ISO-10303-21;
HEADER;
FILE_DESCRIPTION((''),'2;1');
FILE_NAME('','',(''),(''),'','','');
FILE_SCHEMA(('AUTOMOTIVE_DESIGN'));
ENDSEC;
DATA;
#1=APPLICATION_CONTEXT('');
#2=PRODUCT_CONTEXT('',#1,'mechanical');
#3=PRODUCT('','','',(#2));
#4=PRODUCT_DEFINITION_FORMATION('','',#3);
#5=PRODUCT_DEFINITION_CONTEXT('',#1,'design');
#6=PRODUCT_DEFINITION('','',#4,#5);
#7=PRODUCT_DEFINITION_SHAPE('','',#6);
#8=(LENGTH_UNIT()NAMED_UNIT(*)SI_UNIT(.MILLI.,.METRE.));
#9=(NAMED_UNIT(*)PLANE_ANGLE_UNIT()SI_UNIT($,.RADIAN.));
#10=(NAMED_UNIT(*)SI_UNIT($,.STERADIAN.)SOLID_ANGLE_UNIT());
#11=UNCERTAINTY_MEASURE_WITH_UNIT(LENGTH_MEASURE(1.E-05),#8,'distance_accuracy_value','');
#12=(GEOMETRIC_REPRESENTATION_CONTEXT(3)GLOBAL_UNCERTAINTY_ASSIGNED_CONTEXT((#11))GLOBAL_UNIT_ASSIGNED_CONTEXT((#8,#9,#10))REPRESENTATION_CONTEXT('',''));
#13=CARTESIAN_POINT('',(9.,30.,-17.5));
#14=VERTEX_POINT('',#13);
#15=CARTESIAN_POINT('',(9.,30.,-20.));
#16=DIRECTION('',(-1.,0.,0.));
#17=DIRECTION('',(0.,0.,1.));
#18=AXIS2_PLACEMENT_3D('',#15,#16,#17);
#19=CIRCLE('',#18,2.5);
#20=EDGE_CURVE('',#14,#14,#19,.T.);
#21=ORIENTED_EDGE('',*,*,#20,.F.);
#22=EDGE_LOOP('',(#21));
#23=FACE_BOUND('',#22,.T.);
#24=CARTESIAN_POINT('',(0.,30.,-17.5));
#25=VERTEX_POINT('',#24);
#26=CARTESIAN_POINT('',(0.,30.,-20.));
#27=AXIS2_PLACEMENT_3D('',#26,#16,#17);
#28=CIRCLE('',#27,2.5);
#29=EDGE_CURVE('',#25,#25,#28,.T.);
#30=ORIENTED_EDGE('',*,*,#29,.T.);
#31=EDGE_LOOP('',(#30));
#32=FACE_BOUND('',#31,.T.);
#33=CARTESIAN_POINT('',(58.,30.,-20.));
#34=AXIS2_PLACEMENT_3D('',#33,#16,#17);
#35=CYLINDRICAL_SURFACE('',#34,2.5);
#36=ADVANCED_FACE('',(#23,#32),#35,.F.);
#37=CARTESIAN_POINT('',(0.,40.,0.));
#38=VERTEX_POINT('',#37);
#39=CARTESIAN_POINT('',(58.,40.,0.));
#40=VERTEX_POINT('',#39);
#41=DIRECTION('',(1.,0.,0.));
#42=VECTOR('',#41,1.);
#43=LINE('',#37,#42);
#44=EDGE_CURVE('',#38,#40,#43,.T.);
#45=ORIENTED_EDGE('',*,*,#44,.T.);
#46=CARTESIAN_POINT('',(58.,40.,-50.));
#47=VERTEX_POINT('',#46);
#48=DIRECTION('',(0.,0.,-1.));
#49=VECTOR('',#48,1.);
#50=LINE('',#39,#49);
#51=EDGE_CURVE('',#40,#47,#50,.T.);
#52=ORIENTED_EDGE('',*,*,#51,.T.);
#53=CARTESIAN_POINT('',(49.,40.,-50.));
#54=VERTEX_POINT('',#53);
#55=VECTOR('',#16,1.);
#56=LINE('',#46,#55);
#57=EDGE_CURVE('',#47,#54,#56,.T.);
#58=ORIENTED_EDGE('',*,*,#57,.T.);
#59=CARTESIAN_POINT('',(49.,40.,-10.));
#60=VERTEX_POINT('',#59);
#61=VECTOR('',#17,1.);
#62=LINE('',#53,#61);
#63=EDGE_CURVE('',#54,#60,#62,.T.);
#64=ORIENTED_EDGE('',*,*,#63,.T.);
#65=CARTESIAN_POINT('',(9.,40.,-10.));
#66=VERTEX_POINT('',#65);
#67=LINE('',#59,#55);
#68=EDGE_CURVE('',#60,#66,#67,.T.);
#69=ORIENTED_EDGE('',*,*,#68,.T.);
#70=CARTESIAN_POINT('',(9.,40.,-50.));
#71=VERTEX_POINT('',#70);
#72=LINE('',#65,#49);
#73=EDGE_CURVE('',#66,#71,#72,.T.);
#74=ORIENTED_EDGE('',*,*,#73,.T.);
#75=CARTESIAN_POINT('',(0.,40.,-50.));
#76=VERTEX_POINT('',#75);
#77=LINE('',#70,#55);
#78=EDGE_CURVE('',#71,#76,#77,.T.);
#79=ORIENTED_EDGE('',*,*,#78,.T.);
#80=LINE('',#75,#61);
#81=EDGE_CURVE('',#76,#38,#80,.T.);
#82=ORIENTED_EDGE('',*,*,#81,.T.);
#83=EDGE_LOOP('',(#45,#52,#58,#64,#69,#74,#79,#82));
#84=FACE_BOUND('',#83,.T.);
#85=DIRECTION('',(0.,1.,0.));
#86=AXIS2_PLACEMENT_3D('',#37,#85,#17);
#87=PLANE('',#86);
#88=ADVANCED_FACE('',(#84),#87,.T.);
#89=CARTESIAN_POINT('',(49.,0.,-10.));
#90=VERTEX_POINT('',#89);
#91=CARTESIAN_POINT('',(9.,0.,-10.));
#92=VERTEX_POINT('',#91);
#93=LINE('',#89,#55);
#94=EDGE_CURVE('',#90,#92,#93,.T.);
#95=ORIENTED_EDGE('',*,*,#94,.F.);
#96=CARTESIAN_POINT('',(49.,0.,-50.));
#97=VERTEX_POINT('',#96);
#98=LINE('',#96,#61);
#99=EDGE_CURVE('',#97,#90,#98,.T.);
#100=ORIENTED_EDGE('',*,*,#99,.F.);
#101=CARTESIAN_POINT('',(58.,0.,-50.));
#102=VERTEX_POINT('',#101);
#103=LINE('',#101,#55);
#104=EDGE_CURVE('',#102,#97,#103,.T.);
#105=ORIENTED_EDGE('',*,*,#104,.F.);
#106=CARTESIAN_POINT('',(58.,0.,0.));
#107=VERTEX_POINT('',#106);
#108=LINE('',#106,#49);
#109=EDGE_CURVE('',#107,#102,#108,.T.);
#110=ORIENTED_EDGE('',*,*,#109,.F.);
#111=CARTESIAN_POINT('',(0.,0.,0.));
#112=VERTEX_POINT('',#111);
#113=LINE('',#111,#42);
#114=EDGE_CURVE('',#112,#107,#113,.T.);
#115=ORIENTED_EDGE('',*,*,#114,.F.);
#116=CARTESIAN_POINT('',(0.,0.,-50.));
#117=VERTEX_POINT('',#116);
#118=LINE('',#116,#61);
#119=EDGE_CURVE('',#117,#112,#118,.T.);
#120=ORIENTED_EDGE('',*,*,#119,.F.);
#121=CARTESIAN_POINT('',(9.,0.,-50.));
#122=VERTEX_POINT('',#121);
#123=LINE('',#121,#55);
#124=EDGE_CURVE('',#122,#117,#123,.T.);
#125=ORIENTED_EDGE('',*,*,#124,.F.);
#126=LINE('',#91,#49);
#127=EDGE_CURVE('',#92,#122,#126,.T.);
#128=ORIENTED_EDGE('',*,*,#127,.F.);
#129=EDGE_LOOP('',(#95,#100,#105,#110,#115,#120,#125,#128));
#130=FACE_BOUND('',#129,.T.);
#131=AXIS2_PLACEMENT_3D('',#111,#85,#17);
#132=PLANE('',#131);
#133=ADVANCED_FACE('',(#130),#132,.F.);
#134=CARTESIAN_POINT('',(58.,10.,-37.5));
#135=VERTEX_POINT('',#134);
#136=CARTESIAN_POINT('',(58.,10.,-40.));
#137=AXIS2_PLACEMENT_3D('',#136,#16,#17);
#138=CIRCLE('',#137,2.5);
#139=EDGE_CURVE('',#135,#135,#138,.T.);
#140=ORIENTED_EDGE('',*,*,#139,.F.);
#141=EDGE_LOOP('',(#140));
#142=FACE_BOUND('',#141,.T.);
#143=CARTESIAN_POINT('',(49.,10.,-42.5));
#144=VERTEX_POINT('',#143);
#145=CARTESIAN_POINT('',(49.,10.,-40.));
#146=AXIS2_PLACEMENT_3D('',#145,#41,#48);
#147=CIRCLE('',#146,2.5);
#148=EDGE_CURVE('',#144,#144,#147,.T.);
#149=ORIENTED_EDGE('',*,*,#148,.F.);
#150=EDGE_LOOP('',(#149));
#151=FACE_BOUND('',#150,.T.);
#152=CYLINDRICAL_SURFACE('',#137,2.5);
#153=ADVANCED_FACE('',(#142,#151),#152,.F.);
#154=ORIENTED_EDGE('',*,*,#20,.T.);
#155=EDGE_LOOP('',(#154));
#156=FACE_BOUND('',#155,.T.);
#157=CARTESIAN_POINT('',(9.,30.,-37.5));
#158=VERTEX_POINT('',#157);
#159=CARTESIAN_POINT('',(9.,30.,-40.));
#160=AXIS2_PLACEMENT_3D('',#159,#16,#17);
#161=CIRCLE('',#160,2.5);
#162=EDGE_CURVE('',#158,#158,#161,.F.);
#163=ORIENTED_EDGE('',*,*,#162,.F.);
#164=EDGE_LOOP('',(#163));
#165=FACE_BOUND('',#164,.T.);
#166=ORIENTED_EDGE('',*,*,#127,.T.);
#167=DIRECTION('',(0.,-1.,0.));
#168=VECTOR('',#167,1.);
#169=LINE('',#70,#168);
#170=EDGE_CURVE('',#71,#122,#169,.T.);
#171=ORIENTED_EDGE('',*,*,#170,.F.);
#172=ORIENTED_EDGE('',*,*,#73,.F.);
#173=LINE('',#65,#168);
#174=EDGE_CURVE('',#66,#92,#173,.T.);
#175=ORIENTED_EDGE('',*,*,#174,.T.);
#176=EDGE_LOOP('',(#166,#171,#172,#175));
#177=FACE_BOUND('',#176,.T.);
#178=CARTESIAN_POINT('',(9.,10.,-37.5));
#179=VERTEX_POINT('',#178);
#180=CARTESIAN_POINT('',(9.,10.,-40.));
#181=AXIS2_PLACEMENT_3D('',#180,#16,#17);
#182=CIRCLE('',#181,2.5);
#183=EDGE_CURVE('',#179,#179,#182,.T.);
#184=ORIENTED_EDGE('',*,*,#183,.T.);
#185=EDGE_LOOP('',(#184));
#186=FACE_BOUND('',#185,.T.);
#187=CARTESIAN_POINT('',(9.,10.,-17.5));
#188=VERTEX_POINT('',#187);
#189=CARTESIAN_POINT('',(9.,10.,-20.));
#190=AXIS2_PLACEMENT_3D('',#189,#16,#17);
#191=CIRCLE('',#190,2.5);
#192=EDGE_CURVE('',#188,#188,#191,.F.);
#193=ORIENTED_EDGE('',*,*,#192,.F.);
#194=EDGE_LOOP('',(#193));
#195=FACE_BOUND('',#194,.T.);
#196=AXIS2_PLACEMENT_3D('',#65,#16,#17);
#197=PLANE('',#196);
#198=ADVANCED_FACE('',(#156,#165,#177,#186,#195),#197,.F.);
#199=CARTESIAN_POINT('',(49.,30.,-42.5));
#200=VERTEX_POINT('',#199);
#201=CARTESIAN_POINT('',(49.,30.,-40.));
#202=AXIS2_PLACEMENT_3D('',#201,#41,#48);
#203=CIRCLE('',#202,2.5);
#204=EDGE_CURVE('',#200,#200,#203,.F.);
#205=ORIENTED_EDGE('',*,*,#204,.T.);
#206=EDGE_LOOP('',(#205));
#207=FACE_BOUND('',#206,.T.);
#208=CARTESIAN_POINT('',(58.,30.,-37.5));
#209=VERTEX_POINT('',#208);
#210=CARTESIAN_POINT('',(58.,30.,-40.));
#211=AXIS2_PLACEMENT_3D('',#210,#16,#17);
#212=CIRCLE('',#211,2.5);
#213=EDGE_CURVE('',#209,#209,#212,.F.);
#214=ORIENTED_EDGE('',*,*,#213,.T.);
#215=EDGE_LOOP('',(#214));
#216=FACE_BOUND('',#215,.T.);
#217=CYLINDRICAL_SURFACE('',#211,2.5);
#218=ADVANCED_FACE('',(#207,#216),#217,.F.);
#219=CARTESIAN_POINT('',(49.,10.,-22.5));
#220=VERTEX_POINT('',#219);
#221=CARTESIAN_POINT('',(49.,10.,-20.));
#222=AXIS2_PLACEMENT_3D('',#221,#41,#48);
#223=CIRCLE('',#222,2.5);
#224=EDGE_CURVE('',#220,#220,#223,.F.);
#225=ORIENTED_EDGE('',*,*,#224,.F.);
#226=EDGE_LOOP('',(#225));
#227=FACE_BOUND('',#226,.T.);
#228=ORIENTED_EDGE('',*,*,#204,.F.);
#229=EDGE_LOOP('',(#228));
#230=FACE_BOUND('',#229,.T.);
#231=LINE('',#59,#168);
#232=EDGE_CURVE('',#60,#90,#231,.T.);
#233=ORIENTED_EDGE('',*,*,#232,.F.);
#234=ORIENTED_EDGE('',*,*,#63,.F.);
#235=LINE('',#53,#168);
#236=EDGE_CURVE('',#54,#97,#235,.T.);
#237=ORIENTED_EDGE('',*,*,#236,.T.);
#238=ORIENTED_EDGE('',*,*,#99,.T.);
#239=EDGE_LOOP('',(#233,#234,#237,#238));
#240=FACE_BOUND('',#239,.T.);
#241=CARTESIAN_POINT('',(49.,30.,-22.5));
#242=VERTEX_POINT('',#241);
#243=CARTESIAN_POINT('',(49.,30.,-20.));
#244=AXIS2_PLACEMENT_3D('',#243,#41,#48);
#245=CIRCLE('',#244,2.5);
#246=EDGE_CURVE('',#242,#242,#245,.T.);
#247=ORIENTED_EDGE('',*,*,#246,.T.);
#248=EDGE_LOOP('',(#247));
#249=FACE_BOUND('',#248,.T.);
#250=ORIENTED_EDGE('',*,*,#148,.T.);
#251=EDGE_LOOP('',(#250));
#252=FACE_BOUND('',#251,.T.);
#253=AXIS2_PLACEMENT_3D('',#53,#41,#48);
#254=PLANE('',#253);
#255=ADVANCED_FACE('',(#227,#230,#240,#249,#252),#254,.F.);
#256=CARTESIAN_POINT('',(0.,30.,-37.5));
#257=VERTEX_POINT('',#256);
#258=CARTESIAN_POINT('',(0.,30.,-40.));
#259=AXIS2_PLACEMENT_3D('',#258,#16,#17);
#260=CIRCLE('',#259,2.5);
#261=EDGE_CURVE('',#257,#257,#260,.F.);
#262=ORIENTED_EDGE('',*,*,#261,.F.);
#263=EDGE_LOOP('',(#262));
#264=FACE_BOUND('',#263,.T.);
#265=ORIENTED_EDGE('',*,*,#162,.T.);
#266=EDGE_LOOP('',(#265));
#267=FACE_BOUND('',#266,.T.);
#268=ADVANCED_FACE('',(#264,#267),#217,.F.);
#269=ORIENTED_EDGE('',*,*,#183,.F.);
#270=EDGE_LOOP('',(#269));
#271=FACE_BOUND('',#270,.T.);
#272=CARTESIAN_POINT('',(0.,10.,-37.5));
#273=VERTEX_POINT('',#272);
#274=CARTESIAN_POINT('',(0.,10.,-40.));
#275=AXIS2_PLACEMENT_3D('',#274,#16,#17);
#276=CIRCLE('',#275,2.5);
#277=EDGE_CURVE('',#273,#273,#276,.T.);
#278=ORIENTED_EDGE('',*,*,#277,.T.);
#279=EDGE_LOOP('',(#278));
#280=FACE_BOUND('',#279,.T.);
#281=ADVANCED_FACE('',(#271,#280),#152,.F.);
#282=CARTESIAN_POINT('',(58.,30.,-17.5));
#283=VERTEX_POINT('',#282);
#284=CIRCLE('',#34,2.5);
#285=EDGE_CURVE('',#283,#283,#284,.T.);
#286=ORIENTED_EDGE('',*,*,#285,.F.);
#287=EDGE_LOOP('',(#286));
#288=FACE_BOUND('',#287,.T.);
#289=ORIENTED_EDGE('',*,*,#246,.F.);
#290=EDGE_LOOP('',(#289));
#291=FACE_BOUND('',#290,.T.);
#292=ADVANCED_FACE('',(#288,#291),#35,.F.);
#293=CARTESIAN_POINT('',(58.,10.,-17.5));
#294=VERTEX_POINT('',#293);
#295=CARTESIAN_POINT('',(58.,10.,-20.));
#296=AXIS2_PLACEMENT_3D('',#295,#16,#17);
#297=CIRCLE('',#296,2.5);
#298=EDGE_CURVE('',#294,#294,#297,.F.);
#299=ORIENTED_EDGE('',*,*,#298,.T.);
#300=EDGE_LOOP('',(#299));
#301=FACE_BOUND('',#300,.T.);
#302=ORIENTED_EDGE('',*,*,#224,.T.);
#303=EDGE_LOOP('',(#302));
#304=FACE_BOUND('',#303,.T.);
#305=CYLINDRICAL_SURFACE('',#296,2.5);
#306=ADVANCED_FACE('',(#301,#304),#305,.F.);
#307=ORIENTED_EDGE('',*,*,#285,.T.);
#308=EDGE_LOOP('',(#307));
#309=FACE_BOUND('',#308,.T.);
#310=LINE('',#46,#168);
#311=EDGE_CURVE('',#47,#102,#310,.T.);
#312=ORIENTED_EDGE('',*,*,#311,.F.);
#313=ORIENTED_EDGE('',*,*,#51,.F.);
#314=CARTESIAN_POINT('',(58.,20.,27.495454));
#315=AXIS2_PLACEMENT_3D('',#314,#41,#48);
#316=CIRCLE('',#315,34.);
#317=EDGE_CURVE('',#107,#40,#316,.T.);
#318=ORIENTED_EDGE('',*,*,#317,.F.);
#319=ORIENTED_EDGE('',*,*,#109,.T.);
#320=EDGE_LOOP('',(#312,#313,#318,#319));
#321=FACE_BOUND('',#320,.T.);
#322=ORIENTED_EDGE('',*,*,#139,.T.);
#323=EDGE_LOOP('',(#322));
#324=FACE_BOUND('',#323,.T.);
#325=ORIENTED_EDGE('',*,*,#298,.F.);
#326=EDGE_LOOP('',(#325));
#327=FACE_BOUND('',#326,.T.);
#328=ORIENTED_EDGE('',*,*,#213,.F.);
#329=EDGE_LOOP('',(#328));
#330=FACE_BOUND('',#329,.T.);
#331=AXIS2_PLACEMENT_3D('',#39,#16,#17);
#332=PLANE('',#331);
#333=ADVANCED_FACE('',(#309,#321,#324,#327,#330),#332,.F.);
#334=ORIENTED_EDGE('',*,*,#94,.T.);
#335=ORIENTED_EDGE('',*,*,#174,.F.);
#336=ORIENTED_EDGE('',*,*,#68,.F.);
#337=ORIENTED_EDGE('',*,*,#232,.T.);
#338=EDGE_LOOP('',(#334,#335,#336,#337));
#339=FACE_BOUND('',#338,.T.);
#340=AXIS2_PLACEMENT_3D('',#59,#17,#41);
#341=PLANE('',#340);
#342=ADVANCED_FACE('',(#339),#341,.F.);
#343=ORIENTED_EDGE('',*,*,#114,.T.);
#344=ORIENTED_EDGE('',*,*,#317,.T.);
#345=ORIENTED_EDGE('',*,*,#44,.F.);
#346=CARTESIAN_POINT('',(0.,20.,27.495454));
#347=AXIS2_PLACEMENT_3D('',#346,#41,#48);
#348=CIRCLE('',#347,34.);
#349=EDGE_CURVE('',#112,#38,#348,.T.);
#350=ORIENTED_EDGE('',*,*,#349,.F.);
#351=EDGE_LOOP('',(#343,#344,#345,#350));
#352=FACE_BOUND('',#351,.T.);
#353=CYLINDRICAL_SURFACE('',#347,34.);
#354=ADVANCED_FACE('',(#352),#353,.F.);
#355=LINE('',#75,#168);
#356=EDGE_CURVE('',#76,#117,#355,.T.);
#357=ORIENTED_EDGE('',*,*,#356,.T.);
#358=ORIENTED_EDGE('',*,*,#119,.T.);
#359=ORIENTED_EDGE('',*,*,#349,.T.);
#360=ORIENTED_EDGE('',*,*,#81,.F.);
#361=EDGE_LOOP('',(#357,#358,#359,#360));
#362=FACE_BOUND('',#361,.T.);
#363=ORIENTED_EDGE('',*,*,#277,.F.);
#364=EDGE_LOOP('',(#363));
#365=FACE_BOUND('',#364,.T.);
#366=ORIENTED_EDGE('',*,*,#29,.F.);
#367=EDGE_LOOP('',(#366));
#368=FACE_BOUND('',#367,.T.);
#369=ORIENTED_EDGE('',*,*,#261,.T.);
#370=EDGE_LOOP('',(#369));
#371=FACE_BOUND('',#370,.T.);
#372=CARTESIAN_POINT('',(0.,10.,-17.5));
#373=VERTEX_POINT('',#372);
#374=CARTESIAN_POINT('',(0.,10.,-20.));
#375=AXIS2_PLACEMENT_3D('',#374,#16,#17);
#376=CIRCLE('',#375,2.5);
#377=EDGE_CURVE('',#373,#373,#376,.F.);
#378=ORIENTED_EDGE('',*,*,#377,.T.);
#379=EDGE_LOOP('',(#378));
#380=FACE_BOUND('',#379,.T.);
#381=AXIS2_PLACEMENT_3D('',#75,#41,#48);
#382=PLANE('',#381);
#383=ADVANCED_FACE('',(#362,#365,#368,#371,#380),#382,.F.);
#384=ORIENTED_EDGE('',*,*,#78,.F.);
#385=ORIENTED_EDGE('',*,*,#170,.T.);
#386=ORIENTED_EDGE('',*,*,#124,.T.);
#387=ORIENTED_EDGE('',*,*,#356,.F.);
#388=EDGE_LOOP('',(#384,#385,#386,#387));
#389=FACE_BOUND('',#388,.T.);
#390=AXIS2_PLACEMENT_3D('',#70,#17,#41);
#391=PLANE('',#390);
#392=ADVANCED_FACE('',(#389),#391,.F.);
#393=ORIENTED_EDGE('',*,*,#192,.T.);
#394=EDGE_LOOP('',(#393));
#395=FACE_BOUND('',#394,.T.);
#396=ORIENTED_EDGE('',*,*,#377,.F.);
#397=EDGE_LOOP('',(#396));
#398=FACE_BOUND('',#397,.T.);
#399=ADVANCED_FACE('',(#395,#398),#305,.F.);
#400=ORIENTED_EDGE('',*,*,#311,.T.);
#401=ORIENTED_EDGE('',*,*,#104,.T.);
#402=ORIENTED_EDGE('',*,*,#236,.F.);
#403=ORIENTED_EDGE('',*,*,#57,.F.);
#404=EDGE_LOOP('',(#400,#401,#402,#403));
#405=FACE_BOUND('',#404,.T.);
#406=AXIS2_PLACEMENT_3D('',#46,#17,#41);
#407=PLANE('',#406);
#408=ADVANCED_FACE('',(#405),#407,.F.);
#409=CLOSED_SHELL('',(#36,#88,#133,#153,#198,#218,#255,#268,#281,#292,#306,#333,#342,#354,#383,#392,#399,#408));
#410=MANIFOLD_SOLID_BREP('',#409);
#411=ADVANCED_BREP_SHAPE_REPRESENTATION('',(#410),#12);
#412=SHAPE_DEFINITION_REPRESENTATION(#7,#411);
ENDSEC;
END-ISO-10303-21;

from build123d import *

# Parameters (mm, degrees)
BOSS_EXTRUDE1_DEPTH     = 40
SKETCH4_R               = 2.5
CUT_EXTRUDE1_DEPTH      = 50
CUT_EXTRUDE1_DEPTH_BACK = 10
CUT_EXTRUDE2_DEPTH      = 59


with BuildPart() as part:
    # Sketch1 → Boss-Extrude1 (new body)
    with BuildSketch(Plane(origin=(0, 0, 0), x_dir=(1, 0, 0), z_dir=(0, 1, 0))):
        Polygon((0, 0), (58, 0), (58, 50), (49, 50), (49, 10), (9, 10), (9, 50), (0, 50), align=None)
    extrude(amount=BOSS_EXTRUDE1_DEPTH)

    # Sketch4 → Cut-Extrude1 (cut, two sides)
    with BuildSketch(Plane.ZY.offset(-49)) as cut_extrude1_sk:
        with BuildLine():
            ThreePointArc((-42.5, 10), (-41.767766953, 8.232233047), (-40, 7.5))
            Line((-40, 7.5), (-40, 10))
            Line((-40, 10), (-42.5, 10))
        make_face()
        with BuildLine():
            Line((-40, 10), (-40, 7.5))
            ThreePointArc((-40, 7.5), (-38.232233047, 8.232233047), (-37.5, 10))
            ThreePointArc((-37.5, 10), (-40, 12.5), (-42.5, 10))
            Line((-42.5, 10), (-40, 10))
        make_face()
        with Locations((-20, 10)):
            Circle(SKETCH4_R)
        with Locations((-40, 30)):
            Circle(SKETCH4_R)
        with Locations((-20, 30)):
            Circle(SKETCH4_R)
    extrude(amount=CUT_EXTRUDE1_DEPTH, mode=Mode.SUBTRACT)
    extrude(cut_extrude1_sk.sketch, amount=-CUT_EXTRUDE1_DEPTH_BACK, mode=Mode.SUBTRACT)

    # Sketch5 → Cut-Extrude2 (cut, through all)
    with BuildSketch(Plane(origin=(58, 0, 0), x_dir=(0, 0, -1), z_dir=(1, 0, 0))):
        with BuildLine():
            Line((0, 40), (0, 0))
            ThreePointArc((0, 0), (6.50454583, 20), (0, 40))
        make_face()
    extrude(amount=-CUT_EXTRUDE2_DEPTH, mode=Mode.SUBTRACT)


solid = part.part
